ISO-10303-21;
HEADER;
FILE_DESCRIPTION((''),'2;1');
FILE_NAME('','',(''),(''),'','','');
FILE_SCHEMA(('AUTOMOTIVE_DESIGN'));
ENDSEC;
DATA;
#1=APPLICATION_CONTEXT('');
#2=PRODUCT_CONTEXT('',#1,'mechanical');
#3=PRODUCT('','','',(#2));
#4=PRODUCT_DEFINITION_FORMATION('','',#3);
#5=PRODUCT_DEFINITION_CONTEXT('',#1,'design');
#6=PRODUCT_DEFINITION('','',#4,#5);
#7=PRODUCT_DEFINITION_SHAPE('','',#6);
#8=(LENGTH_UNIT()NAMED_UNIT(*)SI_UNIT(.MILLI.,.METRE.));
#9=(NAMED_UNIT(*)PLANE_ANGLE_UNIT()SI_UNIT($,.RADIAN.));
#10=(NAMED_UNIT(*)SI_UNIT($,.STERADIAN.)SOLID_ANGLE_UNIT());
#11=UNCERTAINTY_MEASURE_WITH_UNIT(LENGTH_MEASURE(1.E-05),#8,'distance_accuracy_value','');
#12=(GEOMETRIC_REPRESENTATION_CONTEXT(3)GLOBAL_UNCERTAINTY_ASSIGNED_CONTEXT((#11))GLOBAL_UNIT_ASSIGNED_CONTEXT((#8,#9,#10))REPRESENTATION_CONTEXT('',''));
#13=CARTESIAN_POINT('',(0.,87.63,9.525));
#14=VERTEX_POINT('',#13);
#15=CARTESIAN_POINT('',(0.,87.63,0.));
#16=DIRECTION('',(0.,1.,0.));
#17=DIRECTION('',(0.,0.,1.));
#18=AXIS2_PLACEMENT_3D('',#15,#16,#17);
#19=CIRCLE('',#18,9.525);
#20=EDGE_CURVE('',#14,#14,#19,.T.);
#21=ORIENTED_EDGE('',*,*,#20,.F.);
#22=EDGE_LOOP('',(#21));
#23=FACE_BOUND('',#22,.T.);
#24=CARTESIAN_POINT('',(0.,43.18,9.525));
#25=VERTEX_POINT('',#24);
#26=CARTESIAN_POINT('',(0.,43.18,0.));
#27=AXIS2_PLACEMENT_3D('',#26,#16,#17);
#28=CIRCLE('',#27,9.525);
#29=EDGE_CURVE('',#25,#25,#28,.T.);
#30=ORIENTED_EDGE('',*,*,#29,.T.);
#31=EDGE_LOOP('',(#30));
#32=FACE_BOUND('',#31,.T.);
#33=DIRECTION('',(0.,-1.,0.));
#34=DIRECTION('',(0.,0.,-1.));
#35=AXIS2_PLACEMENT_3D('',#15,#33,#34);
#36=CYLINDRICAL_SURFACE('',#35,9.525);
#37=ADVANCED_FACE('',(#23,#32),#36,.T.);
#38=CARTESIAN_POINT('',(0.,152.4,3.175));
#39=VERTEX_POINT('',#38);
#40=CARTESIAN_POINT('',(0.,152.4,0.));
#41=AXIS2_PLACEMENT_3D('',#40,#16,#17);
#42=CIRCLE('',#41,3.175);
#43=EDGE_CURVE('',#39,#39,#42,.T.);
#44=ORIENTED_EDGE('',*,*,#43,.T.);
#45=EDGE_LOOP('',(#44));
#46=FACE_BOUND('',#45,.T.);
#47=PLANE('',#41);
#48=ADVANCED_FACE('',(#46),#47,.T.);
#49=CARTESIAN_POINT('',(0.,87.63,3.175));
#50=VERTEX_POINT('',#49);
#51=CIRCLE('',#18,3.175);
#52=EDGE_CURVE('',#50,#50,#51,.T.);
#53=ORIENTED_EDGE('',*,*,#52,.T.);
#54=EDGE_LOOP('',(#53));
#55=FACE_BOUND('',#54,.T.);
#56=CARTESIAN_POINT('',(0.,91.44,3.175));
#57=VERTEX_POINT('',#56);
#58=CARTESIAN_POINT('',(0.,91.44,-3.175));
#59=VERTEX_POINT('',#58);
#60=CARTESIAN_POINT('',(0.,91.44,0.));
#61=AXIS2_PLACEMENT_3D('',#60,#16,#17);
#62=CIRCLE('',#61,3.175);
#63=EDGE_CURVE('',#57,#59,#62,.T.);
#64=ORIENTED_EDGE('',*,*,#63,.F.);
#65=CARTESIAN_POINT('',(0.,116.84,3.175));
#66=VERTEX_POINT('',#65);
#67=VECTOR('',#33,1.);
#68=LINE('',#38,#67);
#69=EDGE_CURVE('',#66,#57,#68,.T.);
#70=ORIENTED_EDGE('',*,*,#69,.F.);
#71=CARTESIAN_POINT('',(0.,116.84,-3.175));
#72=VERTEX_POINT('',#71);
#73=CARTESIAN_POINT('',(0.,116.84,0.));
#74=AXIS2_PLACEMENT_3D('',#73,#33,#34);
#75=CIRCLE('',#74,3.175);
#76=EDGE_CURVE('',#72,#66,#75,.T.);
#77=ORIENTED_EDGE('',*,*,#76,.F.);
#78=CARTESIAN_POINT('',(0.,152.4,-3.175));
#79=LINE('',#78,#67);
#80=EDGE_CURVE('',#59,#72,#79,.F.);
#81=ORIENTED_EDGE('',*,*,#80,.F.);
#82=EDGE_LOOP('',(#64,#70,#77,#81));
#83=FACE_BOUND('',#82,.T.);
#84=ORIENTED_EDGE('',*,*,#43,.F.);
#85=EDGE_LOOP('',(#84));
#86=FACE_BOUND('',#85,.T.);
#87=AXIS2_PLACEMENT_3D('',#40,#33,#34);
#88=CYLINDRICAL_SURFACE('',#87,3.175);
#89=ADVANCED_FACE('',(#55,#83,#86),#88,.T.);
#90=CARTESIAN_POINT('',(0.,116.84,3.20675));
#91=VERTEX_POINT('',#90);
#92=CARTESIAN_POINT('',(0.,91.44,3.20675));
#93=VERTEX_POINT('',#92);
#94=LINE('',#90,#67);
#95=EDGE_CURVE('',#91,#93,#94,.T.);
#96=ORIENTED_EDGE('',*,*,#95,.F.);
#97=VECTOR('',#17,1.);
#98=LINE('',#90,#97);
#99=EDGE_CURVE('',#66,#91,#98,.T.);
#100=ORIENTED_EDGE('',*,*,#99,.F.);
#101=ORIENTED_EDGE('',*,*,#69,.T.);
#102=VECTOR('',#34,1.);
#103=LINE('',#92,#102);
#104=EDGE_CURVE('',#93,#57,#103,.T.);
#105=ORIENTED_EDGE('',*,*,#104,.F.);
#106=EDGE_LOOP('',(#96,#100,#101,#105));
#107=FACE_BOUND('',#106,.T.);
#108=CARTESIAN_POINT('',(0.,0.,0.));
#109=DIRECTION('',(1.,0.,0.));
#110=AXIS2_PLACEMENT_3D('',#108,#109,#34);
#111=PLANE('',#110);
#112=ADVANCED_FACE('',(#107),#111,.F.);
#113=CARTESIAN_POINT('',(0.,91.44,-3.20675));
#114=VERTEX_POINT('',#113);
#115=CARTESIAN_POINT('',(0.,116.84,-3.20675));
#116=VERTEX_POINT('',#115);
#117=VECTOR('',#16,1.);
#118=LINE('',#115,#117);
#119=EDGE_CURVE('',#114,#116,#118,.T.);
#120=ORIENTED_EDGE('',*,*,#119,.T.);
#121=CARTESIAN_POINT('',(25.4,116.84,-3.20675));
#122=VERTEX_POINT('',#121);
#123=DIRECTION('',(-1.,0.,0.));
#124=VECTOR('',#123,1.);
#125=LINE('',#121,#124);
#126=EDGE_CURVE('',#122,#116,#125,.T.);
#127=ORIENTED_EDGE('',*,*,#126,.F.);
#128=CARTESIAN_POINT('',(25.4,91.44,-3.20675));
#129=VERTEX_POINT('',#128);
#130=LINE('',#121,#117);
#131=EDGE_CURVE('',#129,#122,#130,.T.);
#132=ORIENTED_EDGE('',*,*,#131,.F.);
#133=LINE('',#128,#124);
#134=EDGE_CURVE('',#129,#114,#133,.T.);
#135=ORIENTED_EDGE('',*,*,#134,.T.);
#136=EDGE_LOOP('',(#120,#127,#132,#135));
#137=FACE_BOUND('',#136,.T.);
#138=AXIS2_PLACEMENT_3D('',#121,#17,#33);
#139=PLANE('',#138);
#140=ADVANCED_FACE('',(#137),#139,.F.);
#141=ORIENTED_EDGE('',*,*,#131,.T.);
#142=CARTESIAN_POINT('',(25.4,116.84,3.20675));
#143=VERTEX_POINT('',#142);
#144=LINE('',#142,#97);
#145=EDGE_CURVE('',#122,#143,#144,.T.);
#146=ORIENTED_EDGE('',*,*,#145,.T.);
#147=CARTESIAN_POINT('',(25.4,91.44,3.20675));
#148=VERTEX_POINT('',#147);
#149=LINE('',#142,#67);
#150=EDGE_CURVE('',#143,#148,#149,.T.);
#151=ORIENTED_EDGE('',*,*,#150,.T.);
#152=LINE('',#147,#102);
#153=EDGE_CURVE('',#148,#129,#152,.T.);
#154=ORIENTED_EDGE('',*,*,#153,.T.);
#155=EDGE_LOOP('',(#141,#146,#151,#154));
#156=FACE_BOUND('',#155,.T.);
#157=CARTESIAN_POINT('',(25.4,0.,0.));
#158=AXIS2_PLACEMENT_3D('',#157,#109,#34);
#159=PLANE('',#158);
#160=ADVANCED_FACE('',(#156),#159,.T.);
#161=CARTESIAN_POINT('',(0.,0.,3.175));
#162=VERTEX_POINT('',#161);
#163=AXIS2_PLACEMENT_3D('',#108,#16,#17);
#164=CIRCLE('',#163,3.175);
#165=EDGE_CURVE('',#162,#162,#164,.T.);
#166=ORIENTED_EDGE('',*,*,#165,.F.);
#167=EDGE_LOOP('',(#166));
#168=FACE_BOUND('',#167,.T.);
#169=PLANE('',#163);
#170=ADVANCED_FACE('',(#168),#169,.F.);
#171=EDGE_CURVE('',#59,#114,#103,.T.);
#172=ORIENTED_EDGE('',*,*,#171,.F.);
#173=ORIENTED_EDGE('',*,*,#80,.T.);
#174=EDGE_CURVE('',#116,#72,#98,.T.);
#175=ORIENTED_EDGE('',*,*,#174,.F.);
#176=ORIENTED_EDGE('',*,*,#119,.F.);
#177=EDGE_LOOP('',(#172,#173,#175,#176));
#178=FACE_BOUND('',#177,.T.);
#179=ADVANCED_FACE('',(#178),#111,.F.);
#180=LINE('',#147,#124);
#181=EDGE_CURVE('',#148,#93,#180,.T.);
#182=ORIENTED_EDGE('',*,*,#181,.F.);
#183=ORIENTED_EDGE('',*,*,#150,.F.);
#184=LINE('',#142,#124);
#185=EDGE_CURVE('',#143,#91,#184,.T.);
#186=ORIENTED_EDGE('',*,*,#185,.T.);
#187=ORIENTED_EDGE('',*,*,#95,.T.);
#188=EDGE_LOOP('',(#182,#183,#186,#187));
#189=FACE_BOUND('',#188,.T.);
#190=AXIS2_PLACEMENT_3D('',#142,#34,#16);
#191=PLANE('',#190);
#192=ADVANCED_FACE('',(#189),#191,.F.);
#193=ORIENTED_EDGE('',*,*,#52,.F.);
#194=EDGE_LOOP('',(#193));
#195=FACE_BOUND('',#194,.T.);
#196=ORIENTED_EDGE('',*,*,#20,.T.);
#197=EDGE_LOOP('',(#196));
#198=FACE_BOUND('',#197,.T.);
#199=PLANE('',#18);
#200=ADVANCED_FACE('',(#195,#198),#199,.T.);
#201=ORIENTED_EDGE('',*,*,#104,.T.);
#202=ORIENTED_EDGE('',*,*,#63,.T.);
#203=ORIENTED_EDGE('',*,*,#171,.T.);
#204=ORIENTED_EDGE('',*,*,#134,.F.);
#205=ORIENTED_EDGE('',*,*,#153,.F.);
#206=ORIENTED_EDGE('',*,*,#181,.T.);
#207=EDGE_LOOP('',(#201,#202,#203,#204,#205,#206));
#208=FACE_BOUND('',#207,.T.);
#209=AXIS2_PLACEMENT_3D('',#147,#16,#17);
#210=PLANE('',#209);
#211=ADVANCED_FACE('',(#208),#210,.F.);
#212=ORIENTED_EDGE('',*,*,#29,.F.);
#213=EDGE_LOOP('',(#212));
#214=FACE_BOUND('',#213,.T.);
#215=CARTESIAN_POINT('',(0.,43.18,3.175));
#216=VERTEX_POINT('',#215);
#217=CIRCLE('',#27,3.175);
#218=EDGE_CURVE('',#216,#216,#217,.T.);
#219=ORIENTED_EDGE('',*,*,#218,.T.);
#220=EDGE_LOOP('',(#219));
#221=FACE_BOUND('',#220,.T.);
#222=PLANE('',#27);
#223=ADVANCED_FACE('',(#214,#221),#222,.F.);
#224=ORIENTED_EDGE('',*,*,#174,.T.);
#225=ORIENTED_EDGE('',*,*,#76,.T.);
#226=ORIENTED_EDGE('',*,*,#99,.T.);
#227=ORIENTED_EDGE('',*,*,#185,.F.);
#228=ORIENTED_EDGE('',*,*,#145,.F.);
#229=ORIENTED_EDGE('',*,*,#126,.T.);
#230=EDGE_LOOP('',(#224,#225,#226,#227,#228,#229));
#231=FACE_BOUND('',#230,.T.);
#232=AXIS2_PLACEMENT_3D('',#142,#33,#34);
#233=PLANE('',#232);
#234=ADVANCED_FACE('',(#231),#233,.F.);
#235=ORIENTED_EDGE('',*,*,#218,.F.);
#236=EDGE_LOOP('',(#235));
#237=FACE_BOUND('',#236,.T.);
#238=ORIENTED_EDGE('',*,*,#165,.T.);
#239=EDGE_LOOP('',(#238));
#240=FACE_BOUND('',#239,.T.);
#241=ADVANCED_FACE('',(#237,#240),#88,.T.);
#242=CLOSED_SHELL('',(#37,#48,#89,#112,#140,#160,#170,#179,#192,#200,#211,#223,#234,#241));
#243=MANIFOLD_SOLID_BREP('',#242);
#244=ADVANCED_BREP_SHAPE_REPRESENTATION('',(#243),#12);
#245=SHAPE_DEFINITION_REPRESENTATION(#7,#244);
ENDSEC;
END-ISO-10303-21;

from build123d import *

# Parameters (mm, degrees)
SKETCH1_R           = 3.175
BOSS_EXTRUDE1_DEPTH = 152.4
SKETCH2_W           = 6.4135
SKETCH2_H           = 25.4
BOSS_EXTRUDE2_DEPTH = 25.4
SKETCH4_R           = 9.525
BOSS_EXTRUDE3_DEPTH = 44.45


with BuildPart() as part:
    # Sketch1 → Boss-Extrude1 (new body)
    with BuildSketch(Plane(origin=(0, 0, 0), x_dir=(1, 0, 0), z_dir=(0, 1, 0))):
        Circle(SKETCH1_R)
    extrude(amount=BOSS_EXTRUDE1_DEPTH)

    # Sketch2 → Boss-Extrude2 (add)
    with BuildSketch(Plane(origin=(0, 0, 0), x_dir=(0, 0, -1), z_dir=(1, 0, 0))):
        with Locations((0, 104.14)):
            Rectangle(SKETCH2_W, SKETCH2_H)
    extrude(amount=BOSS_EXTRUDE2_DEPTH)

    # Sketch4 → Boss-Extrude3 (add)
    with BuildSketch(Plane(origin=(0, 43.18, 0), x_dir=(1, 0, 0), z_dir=(0, 1, 0))):
        Circle(SKETCH4_R)
    extrude(amount=BOSS_EXTRUDE3_DEPTH)


solid = part.part
